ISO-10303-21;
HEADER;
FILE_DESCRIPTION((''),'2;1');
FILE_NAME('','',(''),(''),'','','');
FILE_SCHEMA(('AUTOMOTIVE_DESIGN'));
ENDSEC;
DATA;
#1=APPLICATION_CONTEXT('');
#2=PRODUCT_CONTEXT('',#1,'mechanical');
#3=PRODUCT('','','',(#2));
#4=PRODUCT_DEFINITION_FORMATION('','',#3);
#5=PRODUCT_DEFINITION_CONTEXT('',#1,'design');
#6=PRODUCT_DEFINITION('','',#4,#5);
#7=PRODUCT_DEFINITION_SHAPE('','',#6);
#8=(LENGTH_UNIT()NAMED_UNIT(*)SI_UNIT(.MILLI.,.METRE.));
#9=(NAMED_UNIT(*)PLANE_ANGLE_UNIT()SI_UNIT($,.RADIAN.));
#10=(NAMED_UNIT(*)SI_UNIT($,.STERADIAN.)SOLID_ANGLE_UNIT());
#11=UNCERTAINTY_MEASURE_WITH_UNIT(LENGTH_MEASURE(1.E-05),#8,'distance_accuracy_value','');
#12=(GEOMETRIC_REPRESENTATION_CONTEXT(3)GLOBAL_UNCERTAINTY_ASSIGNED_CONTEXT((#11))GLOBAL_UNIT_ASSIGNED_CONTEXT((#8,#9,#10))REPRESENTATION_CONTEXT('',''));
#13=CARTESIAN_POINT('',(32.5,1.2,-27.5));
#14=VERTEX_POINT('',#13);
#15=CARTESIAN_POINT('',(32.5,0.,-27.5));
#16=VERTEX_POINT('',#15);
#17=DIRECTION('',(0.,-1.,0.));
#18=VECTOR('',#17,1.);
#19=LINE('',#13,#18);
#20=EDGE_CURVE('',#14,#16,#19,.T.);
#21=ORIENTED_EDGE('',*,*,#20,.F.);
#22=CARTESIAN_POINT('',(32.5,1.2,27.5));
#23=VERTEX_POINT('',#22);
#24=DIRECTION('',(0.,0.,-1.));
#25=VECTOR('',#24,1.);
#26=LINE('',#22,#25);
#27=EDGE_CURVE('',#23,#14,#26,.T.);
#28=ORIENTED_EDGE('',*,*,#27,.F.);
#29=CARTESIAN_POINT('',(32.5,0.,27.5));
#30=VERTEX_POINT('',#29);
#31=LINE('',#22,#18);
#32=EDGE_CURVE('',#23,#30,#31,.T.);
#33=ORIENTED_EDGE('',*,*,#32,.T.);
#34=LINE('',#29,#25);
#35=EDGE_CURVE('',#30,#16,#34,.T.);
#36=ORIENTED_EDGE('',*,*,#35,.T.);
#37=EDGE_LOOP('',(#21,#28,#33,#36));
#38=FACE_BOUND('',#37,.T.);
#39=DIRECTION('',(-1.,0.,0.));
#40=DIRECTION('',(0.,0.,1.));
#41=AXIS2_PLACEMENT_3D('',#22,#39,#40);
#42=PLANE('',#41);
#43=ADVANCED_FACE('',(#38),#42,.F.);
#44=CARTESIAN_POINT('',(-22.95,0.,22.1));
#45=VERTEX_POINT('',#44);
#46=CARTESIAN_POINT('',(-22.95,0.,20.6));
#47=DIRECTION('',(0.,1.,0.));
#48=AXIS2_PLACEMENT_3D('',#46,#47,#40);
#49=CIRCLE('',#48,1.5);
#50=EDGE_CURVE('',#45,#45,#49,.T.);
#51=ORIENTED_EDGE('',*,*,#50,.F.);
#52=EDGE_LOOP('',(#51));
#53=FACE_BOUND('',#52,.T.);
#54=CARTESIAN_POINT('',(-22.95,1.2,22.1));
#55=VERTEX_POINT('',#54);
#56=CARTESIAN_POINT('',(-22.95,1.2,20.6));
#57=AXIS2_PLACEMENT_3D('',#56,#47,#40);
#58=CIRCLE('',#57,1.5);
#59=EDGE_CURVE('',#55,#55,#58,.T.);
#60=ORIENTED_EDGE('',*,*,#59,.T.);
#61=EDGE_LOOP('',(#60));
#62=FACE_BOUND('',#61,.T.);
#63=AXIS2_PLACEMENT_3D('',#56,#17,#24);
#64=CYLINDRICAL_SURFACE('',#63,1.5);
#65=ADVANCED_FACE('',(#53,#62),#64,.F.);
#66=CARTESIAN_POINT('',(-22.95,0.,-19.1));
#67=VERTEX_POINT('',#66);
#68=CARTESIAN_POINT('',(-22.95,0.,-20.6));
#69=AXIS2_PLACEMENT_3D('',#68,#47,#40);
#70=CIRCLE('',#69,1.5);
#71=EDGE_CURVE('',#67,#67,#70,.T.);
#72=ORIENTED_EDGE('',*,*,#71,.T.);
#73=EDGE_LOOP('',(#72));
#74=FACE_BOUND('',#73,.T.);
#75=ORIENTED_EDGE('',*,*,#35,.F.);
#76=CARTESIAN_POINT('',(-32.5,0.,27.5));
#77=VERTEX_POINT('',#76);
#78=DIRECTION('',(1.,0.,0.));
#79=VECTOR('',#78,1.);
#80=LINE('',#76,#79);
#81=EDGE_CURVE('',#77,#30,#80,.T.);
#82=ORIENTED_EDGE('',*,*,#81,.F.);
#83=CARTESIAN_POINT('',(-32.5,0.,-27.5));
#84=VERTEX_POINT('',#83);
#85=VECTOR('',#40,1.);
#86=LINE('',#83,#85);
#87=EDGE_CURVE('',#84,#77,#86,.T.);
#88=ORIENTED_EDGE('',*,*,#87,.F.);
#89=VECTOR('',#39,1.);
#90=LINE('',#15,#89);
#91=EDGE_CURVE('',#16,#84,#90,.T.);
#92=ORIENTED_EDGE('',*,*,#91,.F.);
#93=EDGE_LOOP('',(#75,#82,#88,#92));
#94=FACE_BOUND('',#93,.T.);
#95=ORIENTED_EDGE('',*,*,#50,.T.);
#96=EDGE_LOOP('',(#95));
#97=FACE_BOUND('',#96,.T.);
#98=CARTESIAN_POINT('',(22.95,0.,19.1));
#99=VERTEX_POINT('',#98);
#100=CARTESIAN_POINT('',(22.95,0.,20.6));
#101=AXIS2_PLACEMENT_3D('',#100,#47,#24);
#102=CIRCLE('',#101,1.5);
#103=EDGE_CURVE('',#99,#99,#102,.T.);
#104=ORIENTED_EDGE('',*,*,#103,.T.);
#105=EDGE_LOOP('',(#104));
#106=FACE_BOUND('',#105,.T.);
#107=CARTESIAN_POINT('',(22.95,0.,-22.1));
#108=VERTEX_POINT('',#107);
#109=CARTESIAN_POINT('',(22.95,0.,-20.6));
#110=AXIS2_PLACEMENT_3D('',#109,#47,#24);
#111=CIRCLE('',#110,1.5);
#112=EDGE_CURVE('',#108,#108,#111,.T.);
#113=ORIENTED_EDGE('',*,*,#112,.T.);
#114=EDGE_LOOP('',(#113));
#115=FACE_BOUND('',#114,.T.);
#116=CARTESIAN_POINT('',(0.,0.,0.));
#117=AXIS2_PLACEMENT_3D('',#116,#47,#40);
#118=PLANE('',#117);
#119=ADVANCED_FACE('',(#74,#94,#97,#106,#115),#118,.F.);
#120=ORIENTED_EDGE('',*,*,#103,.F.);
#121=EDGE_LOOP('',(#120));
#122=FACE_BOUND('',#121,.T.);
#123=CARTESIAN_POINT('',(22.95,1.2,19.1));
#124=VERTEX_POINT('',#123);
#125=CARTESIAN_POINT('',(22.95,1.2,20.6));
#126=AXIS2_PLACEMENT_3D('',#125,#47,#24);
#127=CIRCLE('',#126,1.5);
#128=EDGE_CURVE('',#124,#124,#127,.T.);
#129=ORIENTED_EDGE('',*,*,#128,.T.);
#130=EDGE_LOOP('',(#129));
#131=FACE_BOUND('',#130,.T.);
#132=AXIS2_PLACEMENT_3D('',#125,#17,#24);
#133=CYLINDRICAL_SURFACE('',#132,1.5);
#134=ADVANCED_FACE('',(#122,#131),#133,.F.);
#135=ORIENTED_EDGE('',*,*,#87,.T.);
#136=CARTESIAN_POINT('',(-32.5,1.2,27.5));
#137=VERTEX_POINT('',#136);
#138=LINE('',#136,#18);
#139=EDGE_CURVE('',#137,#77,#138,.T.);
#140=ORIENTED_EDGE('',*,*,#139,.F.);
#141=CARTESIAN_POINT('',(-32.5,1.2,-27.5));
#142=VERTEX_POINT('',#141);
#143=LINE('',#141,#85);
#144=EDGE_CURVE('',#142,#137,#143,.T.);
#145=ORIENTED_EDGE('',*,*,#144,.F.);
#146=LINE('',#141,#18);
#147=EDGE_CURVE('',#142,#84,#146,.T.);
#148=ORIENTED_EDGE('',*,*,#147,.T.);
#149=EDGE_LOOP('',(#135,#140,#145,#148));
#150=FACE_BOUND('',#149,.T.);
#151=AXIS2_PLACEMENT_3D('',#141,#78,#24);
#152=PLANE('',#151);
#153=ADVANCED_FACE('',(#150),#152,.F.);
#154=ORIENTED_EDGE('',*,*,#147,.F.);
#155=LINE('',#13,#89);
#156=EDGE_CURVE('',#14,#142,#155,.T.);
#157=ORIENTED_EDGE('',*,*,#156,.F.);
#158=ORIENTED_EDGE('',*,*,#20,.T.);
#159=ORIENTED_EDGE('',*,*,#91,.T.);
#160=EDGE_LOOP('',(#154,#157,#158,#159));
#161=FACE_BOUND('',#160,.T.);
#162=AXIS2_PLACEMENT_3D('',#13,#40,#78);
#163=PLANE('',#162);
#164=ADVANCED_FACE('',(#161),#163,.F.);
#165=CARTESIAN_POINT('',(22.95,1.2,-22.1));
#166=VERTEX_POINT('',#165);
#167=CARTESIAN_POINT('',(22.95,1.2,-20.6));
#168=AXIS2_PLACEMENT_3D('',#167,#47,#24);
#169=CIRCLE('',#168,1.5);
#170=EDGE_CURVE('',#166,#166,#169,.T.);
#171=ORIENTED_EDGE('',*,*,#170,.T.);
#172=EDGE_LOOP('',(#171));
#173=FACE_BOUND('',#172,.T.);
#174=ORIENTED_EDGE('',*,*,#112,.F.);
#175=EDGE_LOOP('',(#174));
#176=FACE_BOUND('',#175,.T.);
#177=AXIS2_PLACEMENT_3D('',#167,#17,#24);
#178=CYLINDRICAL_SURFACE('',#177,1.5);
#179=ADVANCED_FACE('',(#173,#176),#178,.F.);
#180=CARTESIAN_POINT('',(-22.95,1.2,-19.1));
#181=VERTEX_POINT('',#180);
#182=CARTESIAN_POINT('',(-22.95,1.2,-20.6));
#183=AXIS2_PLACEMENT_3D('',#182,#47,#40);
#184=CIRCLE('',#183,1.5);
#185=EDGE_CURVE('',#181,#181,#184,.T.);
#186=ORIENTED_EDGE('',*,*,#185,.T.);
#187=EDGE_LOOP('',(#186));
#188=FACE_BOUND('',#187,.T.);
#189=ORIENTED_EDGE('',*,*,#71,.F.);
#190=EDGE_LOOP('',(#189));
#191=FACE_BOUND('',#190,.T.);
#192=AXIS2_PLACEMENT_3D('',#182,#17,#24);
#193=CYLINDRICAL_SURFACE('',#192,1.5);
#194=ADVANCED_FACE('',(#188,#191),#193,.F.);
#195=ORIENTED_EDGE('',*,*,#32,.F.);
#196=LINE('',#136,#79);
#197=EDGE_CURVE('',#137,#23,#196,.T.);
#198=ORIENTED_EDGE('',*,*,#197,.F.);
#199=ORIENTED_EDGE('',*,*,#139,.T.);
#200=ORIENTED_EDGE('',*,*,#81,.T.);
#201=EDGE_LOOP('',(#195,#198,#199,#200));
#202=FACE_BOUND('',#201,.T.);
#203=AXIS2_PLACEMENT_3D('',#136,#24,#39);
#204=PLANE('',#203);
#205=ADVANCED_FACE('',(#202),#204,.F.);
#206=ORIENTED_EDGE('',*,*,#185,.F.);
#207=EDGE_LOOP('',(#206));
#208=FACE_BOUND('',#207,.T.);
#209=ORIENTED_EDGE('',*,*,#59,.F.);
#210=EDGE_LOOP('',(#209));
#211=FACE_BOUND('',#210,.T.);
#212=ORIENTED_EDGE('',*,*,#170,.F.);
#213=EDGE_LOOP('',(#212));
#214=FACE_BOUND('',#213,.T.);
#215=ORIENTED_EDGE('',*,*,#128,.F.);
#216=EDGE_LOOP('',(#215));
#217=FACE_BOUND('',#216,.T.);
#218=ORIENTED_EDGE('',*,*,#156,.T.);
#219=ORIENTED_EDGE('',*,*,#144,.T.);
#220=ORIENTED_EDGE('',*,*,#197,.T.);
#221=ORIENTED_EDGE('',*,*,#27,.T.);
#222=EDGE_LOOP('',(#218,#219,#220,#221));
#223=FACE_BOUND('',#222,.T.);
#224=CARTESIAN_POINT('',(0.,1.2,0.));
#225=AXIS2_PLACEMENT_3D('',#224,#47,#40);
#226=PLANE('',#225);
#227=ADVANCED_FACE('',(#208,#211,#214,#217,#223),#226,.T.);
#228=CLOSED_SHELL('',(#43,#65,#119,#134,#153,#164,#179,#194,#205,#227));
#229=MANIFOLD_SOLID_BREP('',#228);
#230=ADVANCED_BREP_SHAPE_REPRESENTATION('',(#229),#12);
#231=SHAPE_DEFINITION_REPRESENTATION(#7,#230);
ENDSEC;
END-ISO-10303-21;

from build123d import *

# Parameters (mm, degrees)
SKETCH_2_W      = 65
SKETCH_2_H      = 55
SKETCH_2_R      = 1.5
EXTRUDE_2_DEPTH = 1.2


with BuildPart() as part:
    # 草图2 → 凸台-拉伸2 (new body)
    with BuildSketch(Plane(origin=(0, 0, 0), x_dir=(1, 0, 0), z_dir=(0, 1, 0))):
        Rectangle(SKETCH_2_W, SKETCH_2_H)
        with Locations(Location((-22.95, 20.6, 0), (0, 0, 270))):
            Circle(SKETCH_2_R, mode=Mode.SUBTRACT)
        with Locations(Location((-22.95, -20.6, 0), (0, 0, 270))):
            Circle(SKETCH_2_R, mode=Mode.SUBTRACT)
        with Locations(Location((22.95, -20.6, 0), (0, 0, 90))):
            Circle(SKETCH_2_R, mode=Mode.SUBTRACT)
        with Locations(Location((22.95, 20.6, 0), (0, 0, 90))):
            Circle(SKETCH_2_R, mode=Mode.SUBTRACT)
    extrude(amount=EXTRUDE_2_DEPTH)


solid = part.part
